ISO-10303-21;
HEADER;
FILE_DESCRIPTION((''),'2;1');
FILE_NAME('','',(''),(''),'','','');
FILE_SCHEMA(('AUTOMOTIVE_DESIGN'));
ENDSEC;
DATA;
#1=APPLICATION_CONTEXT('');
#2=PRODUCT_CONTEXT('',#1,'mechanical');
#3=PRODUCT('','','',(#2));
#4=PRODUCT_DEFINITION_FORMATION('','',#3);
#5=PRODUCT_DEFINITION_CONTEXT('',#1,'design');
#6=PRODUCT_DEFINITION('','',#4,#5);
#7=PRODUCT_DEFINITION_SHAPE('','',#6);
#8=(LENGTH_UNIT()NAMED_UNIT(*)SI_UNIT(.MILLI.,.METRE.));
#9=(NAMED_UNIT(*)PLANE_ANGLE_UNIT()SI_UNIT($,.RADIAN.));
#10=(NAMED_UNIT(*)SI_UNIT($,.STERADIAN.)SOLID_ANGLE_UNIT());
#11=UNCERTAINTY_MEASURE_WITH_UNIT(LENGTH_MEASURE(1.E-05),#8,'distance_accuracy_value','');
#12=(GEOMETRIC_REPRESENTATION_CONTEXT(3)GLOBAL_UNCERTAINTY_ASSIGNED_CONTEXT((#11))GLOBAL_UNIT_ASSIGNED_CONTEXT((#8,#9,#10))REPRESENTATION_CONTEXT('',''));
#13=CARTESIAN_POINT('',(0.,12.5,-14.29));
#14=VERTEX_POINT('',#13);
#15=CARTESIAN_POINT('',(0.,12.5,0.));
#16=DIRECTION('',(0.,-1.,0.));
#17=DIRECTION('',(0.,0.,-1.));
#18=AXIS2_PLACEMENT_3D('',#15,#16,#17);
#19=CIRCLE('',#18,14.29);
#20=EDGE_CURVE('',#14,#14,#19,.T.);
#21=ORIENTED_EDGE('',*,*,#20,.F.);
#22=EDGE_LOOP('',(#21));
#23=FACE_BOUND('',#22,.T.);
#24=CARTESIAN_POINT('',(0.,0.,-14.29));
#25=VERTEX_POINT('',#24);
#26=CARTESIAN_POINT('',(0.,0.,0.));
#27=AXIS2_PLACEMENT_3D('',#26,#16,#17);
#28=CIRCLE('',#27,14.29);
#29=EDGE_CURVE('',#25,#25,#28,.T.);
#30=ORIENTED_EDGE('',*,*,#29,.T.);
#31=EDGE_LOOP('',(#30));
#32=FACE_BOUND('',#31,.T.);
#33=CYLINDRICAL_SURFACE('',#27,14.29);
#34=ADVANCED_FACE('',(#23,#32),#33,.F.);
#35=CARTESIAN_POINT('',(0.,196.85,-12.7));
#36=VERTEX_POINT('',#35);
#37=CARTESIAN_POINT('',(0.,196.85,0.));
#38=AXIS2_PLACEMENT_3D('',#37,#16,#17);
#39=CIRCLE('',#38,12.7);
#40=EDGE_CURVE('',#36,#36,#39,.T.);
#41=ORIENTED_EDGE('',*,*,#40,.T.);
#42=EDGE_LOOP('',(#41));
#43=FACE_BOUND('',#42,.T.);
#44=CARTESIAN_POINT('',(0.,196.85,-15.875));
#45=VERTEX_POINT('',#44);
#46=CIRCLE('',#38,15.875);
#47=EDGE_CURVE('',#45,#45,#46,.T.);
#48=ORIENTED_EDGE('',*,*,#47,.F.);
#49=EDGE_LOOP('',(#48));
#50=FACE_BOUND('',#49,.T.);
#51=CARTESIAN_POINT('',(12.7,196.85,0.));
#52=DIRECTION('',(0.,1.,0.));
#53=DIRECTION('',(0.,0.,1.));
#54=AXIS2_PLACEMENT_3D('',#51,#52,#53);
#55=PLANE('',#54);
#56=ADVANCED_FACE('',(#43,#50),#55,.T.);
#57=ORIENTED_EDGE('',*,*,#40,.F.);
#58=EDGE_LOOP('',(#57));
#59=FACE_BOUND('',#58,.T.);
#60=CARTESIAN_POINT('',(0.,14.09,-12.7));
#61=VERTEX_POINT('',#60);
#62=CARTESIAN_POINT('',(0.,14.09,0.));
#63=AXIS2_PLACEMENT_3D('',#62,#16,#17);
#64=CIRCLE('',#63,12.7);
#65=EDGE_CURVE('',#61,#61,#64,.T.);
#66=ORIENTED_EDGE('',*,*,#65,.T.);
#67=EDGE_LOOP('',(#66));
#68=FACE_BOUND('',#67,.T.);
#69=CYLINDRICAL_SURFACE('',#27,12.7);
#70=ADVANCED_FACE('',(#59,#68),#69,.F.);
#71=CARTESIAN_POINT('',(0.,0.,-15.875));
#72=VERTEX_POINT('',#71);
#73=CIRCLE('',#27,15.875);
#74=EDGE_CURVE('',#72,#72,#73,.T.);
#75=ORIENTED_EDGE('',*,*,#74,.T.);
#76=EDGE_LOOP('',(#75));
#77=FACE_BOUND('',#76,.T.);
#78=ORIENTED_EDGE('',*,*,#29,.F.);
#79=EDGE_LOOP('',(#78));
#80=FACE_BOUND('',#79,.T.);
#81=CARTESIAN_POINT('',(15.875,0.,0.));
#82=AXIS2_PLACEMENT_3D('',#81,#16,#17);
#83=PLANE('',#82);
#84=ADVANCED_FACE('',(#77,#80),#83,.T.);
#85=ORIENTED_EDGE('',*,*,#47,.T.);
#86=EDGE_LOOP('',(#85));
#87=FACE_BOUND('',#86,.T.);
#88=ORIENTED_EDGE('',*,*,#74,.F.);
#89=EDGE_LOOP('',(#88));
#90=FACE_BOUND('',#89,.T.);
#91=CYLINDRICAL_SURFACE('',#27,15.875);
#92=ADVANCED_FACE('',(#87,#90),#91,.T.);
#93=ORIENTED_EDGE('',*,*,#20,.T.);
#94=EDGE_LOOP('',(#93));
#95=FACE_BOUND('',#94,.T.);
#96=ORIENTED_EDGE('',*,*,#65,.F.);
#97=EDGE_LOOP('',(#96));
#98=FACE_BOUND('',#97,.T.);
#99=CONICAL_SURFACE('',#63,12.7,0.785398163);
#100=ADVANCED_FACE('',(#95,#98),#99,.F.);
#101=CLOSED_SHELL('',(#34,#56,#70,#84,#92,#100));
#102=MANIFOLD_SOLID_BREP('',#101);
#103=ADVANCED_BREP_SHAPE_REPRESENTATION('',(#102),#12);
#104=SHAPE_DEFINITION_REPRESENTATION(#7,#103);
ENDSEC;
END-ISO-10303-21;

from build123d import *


with BuildPart() as part:
    # Sketch1 → Revolve1 (revolve)
    with BuildSketch(Plane.XY, mode=Mode.PRIVATE) as revolve1_sk:
        Polygon((14.29, 0), (14.29, 12.5), (12.7, 14.09), (12.7, 196.85), (15.875, 196.85), (15.875, 0), align=None)
    revolve(revolve1_sk.sketch.rotate(Axis((0, 0, 0), (0, 1, 0)), 90), axis=Axis((0, 0, 0), (0, 1, 0)))


solid = part.part
